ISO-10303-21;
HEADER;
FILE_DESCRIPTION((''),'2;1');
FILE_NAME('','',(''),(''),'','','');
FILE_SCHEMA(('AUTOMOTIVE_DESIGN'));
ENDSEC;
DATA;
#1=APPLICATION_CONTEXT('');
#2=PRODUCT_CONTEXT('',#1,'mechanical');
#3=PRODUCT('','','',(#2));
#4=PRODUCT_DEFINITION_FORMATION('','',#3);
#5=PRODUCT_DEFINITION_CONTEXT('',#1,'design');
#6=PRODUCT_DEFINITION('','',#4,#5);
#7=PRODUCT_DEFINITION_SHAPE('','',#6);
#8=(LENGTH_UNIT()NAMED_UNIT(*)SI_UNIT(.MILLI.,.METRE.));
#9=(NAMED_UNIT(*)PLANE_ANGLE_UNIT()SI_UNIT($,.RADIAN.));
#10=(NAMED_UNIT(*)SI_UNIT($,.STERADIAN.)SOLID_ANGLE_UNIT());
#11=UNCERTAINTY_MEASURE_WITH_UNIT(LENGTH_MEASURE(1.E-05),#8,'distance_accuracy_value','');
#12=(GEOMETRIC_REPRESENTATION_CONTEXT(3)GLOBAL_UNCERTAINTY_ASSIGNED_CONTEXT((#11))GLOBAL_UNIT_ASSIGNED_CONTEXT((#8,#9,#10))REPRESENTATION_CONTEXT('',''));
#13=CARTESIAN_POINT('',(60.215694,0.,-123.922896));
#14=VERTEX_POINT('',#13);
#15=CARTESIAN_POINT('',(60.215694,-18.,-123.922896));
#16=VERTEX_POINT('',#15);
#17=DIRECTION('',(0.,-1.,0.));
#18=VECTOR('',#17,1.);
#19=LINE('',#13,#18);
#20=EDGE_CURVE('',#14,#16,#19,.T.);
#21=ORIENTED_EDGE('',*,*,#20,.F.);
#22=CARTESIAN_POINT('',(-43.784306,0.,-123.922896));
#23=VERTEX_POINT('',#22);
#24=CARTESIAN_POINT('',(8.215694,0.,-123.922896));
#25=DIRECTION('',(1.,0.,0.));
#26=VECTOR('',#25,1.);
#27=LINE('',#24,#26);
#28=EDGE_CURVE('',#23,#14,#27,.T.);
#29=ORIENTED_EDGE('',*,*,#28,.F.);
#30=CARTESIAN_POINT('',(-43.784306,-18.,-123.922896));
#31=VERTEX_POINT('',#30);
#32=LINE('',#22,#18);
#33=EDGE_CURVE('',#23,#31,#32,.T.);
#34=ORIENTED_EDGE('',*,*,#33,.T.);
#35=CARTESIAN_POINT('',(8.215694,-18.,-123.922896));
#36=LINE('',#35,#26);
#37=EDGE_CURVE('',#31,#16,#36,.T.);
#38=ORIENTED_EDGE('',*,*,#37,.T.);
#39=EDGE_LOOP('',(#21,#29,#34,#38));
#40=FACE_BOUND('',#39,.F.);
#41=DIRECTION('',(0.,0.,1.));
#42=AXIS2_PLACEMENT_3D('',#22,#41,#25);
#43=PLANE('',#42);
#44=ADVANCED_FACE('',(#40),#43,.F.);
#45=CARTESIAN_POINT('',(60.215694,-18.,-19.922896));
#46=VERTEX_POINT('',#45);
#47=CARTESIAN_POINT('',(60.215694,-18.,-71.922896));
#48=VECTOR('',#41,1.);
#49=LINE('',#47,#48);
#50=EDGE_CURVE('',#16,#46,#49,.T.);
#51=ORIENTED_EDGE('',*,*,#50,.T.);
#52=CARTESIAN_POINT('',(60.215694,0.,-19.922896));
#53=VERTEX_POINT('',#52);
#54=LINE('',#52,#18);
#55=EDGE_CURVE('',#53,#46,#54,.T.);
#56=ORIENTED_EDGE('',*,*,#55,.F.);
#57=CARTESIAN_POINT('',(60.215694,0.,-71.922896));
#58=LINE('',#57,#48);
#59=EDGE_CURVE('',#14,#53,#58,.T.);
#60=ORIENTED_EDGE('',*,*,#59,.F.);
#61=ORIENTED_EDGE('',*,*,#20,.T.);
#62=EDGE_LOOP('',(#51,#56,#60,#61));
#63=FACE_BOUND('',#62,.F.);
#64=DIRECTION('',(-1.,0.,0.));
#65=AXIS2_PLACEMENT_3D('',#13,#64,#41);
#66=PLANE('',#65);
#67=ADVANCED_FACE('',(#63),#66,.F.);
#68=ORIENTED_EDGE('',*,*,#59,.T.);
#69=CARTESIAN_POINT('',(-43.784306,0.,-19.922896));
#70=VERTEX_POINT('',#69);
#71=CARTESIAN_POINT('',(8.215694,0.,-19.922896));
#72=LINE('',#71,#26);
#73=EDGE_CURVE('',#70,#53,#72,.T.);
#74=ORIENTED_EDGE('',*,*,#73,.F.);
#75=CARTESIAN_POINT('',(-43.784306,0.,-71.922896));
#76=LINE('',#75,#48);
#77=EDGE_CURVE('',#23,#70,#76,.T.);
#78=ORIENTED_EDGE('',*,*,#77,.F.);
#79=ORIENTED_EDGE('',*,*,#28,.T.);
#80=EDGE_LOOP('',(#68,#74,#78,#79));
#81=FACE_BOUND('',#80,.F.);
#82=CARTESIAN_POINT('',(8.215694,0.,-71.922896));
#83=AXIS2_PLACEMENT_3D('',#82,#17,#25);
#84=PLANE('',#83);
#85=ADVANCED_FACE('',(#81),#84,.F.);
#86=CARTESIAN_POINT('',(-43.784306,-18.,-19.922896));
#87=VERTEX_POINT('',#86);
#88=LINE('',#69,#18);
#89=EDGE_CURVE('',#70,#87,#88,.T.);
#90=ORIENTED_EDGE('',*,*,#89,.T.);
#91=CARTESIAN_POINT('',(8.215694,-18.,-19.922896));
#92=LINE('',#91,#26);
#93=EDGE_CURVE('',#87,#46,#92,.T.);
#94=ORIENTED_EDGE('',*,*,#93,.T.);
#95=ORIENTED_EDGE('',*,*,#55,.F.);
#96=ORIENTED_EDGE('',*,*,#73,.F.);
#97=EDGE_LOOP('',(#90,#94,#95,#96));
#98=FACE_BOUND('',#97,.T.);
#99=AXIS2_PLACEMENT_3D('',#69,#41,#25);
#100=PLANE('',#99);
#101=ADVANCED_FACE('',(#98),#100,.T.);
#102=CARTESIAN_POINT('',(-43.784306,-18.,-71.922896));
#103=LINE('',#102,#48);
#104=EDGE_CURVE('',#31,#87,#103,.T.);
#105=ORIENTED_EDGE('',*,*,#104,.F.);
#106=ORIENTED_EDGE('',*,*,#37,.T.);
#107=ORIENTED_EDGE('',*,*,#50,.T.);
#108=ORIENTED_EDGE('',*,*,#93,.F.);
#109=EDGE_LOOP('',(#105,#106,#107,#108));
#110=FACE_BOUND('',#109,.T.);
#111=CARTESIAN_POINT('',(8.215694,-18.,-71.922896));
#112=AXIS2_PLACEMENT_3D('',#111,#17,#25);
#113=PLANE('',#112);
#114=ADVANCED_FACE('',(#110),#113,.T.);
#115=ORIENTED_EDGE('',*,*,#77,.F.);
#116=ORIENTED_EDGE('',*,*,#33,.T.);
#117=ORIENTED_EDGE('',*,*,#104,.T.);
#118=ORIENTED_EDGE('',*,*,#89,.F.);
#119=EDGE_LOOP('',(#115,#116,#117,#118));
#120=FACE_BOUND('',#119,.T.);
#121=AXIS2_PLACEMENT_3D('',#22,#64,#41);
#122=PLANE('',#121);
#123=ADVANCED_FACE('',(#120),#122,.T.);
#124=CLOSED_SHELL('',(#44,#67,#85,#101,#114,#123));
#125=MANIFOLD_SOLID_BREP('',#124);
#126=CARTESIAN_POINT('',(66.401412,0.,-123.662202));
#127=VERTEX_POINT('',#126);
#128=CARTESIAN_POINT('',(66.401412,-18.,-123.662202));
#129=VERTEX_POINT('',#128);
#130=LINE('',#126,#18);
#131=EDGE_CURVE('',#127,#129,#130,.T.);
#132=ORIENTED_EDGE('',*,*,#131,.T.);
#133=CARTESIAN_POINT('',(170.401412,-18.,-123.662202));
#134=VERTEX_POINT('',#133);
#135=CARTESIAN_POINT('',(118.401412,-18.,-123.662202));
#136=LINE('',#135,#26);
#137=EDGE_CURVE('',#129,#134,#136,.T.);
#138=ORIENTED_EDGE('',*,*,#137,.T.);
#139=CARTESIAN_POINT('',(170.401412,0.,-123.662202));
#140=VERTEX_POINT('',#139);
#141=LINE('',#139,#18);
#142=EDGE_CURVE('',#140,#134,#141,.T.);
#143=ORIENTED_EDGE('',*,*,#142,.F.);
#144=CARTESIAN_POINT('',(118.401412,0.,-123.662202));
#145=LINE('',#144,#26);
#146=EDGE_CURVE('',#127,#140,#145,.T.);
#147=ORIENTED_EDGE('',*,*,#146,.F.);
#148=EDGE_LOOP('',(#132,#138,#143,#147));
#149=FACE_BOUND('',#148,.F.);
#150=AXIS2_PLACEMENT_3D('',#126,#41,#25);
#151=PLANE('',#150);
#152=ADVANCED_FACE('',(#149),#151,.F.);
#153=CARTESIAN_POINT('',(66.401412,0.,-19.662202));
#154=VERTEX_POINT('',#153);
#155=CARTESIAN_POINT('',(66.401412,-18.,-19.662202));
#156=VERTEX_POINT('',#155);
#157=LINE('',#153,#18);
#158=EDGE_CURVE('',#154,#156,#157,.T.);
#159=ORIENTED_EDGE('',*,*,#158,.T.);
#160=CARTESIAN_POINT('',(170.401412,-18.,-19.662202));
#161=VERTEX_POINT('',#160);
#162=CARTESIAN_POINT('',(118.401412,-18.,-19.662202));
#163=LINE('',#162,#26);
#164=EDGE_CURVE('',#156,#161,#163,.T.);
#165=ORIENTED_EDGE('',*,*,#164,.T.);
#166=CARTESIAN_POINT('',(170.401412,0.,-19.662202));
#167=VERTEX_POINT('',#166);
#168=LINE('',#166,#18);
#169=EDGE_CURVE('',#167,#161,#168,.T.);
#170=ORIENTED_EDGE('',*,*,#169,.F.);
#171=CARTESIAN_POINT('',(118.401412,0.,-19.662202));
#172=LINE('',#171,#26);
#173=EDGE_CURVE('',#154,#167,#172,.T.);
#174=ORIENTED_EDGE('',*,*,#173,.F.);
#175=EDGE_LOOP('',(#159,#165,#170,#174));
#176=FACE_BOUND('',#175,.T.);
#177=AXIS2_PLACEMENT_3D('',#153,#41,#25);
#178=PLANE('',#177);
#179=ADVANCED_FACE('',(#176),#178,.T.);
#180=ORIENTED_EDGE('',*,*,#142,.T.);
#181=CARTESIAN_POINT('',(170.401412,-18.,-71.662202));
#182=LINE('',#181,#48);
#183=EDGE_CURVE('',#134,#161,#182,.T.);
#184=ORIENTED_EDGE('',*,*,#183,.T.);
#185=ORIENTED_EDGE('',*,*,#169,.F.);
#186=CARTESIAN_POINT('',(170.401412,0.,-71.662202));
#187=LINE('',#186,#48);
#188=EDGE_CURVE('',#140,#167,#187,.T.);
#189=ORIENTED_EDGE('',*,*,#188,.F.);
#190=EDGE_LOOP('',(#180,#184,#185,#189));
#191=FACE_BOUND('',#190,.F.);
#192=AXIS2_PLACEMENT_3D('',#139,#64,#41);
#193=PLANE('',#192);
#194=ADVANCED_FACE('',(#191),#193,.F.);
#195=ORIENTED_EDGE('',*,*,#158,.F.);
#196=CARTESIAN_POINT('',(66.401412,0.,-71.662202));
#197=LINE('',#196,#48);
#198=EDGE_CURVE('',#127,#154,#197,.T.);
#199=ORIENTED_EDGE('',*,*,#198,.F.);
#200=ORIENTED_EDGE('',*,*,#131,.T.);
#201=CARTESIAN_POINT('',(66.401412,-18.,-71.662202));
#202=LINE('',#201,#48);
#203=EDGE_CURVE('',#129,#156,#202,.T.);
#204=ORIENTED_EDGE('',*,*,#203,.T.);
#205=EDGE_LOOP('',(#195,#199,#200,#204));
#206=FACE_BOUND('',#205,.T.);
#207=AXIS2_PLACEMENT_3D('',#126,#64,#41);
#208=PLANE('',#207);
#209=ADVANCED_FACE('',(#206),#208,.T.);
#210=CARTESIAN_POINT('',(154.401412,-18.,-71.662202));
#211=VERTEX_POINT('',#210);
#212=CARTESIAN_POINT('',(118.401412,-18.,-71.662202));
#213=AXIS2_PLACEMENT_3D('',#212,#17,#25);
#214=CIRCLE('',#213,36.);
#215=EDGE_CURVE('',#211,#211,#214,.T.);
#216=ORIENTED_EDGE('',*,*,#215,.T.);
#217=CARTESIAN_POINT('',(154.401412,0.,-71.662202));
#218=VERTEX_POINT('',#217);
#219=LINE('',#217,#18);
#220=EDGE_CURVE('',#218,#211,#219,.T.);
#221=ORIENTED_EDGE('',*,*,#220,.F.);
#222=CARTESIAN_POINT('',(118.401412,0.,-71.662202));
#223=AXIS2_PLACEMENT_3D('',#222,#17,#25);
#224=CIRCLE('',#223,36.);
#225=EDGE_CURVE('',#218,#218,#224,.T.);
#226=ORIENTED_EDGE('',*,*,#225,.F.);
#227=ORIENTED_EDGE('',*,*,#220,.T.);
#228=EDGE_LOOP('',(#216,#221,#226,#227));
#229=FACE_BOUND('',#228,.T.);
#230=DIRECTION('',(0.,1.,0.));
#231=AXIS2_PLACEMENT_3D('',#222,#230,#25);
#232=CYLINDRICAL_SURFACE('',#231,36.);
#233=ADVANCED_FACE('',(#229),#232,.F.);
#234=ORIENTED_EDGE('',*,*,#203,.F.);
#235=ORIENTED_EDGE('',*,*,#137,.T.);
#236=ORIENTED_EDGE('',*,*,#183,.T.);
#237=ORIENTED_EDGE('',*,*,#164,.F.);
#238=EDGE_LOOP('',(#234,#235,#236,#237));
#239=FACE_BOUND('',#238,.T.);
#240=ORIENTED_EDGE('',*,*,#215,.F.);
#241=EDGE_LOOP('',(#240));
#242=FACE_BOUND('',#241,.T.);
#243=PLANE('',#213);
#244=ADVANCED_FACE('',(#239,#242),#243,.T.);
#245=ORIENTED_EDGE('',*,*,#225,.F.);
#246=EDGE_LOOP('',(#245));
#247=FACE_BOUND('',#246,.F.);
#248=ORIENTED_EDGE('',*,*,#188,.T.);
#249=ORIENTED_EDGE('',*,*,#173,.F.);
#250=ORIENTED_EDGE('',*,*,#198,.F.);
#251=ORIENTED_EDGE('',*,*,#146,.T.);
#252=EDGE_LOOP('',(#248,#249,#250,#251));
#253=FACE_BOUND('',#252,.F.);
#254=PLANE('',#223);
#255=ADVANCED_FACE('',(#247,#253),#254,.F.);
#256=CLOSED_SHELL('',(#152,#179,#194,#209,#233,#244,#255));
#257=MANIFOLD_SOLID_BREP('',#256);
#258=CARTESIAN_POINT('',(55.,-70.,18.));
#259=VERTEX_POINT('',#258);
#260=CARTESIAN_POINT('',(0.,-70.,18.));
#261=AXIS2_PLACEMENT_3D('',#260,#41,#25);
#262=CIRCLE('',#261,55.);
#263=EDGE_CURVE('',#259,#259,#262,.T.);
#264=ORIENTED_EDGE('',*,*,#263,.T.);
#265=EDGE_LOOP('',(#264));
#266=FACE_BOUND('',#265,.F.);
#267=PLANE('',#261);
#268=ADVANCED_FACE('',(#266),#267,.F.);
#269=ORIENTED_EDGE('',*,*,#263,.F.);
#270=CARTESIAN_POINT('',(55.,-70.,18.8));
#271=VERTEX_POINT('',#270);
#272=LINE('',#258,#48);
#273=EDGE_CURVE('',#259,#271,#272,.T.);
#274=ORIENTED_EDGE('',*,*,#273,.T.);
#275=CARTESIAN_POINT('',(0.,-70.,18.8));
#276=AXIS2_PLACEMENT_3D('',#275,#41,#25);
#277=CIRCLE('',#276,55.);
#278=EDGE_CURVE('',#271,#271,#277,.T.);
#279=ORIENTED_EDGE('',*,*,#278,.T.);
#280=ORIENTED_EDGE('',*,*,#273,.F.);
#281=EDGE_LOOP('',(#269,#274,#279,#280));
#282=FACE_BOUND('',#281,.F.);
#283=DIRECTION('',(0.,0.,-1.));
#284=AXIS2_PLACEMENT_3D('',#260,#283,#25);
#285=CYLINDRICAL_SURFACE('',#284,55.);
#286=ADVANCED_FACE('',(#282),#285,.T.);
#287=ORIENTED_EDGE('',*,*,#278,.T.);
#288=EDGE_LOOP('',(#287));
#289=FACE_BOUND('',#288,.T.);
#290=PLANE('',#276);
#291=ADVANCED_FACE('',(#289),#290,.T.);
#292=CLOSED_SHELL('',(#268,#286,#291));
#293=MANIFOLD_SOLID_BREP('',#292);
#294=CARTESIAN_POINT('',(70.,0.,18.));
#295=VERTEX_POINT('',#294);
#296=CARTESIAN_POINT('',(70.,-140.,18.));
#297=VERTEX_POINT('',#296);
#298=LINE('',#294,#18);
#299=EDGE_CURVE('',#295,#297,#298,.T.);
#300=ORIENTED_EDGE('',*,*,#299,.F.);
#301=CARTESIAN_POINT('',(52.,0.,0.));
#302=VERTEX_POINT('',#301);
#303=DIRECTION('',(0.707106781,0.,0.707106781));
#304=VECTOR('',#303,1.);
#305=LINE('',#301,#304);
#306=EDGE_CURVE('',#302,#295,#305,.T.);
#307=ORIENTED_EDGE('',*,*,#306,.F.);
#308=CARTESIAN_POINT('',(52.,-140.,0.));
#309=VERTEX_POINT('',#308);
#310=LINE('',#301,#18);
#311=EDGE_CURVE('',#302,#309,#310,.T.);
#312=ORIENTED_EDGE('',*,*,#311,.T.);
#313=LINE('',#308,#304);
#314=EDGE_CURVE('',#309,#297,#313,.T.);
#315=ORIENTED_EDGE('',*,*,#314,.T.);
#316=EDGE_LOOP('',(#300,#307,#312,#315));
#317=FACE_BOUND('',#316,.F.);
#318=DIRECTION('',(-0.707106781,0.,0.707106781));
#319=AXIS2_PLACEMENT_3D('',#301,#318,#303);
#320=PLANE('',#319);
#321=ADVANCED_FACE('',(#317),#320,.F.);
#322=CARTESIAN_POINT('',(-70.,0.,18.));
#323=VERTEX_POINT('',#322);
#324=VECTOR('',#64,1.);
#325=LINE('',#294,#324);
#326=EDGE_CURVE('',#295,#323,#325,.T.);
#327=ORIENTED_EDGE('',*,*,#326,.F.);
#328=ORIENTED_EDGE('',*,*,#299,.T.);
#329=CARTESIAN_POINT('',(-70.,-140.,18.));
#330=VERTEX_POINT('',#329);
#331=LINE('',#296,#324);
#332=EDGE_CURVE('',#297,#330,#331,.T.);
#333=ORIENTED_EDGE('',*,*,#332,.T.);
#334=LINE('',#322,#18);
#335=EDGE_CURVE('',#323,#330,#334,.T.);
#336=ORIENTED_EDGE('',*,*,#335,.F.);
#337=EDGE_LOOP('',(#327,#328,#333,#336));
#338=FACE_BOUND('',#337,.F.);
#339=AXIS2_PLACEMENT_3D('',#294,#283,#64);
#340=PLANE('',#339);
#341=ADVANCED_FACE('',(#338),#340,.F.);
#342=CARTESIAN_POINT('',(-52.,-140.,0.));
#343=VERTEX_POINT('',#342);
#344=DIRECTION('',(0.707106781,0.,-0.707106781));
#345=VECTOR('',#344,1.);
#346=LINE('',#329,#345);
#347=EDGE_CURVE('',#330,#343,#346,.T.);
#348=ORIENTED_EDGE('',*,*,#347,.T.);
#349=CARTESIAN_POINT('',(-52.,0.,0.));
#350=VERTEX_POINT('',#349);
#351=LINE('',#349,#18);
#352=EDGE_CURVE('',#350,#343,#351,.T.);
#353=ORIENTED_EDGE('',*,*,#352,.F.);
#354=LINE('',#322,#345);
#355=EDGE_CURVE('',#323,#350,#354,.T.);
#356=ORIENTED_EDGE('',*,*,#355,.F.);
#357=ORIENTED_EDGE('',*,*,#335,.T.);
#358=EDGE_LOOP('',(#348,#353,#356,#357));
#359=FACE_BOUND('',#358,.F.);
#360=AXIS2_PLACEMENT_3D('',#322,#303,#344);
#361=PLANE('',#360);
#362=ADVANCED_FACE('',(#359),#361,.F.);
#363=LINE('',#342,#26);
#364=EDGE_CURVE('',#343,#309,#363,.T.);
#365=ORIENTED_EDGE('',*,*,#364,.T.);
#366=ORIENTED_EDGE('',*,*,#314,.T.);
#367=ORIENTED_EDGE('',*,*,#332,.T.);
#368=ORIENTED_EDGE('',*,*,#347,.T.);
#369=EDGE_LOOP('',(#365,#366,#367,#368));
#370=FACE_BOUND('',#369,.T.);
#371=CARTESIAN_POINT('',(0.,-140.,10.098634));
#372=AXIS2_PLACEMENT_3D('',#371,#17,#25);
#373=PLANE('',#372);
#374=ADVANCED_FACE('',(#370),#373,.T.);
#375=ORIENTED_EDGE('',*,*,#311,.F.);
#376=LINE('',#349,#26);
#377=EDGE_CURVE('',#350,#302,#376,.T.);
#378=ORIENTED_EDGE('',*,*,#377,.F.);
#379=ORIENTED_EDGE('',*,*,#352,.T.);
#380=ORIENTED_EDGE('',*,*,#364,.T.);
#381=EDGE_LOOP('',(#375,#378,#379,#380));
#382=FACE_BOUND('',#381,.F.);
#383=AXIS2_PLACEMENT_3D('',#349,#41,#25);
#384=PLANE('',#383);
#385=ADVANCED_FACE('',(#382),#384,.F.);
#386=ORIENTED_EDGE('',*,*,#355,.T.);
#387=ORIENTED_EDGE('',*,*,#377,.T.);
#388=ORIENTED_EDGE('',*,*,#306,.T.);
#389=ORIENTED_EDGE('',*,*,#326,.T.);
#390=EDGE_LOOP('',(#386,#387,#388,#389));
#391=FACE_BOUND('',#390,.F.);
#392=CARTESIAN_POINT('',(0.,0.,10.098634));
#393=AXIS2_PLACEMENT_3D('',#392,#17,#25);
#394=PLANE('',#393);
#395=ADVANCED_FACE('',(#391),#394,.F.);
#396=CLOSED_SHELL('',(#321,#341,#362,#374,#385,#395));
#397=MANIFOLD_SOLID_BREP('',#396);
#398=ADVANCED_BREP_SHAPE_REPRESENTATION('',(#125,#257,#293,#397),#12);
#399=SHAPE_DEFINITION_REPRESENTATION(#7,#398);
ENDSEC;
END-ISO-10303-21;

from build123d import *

# Parameters (mm, degrees)
F1_DEPTH = 140
F2_W     = 104
F2_H     = 104
F3_DEPTH = 18
F4_W     = 104
F4_H     = 104
F4_R     = 36
F5_DEPTH = 18
F6_R     = 55
F7_DEPTH = 0.8


with BuildPart() as f1:
    # F0 (on Front) → F1 (new body)
    with BuildSketch(Plane.XZ):
        Polygon((-70, 18), (-52, 0), (52, 0), (70, 18), align=None)
    extrude(amount=F1_DEPTH)


with BuildPart() as f3:
    # F2 (on Front) → F3 (new body)
    with BuildSketch(Plane.XZ):
        with Locations((8.215694, -71.922896)):
            Rectangle(F2_W, F2_H)
    extrude(amount=F3_DEPTH)


with BuildPart() as f5:
    # F4 (on Front) → F5 (new body)
    with BuildSketch(Plane.XZ):
        with Locations((118.401412, -71.662202)):
            Rectangle(F4_W, F4_H)
        with Locations((118.401412, -71.662202)):
            Circle(F4_R, mode=Mode.SUBTRACT)
    extrude(amount=F5_DEPTH)


with BuildPart() as f7:
    # F6 (on face) → F7 (new body)
    with BuildSketch(Plane.XY.offset(18)):
        with Locations((0, -70)):
            Circle(F6_R)
    extrude(amount=F7_DEPTH)


solid = Compound([f1.part, f3.part, f5.part, f7.part])
